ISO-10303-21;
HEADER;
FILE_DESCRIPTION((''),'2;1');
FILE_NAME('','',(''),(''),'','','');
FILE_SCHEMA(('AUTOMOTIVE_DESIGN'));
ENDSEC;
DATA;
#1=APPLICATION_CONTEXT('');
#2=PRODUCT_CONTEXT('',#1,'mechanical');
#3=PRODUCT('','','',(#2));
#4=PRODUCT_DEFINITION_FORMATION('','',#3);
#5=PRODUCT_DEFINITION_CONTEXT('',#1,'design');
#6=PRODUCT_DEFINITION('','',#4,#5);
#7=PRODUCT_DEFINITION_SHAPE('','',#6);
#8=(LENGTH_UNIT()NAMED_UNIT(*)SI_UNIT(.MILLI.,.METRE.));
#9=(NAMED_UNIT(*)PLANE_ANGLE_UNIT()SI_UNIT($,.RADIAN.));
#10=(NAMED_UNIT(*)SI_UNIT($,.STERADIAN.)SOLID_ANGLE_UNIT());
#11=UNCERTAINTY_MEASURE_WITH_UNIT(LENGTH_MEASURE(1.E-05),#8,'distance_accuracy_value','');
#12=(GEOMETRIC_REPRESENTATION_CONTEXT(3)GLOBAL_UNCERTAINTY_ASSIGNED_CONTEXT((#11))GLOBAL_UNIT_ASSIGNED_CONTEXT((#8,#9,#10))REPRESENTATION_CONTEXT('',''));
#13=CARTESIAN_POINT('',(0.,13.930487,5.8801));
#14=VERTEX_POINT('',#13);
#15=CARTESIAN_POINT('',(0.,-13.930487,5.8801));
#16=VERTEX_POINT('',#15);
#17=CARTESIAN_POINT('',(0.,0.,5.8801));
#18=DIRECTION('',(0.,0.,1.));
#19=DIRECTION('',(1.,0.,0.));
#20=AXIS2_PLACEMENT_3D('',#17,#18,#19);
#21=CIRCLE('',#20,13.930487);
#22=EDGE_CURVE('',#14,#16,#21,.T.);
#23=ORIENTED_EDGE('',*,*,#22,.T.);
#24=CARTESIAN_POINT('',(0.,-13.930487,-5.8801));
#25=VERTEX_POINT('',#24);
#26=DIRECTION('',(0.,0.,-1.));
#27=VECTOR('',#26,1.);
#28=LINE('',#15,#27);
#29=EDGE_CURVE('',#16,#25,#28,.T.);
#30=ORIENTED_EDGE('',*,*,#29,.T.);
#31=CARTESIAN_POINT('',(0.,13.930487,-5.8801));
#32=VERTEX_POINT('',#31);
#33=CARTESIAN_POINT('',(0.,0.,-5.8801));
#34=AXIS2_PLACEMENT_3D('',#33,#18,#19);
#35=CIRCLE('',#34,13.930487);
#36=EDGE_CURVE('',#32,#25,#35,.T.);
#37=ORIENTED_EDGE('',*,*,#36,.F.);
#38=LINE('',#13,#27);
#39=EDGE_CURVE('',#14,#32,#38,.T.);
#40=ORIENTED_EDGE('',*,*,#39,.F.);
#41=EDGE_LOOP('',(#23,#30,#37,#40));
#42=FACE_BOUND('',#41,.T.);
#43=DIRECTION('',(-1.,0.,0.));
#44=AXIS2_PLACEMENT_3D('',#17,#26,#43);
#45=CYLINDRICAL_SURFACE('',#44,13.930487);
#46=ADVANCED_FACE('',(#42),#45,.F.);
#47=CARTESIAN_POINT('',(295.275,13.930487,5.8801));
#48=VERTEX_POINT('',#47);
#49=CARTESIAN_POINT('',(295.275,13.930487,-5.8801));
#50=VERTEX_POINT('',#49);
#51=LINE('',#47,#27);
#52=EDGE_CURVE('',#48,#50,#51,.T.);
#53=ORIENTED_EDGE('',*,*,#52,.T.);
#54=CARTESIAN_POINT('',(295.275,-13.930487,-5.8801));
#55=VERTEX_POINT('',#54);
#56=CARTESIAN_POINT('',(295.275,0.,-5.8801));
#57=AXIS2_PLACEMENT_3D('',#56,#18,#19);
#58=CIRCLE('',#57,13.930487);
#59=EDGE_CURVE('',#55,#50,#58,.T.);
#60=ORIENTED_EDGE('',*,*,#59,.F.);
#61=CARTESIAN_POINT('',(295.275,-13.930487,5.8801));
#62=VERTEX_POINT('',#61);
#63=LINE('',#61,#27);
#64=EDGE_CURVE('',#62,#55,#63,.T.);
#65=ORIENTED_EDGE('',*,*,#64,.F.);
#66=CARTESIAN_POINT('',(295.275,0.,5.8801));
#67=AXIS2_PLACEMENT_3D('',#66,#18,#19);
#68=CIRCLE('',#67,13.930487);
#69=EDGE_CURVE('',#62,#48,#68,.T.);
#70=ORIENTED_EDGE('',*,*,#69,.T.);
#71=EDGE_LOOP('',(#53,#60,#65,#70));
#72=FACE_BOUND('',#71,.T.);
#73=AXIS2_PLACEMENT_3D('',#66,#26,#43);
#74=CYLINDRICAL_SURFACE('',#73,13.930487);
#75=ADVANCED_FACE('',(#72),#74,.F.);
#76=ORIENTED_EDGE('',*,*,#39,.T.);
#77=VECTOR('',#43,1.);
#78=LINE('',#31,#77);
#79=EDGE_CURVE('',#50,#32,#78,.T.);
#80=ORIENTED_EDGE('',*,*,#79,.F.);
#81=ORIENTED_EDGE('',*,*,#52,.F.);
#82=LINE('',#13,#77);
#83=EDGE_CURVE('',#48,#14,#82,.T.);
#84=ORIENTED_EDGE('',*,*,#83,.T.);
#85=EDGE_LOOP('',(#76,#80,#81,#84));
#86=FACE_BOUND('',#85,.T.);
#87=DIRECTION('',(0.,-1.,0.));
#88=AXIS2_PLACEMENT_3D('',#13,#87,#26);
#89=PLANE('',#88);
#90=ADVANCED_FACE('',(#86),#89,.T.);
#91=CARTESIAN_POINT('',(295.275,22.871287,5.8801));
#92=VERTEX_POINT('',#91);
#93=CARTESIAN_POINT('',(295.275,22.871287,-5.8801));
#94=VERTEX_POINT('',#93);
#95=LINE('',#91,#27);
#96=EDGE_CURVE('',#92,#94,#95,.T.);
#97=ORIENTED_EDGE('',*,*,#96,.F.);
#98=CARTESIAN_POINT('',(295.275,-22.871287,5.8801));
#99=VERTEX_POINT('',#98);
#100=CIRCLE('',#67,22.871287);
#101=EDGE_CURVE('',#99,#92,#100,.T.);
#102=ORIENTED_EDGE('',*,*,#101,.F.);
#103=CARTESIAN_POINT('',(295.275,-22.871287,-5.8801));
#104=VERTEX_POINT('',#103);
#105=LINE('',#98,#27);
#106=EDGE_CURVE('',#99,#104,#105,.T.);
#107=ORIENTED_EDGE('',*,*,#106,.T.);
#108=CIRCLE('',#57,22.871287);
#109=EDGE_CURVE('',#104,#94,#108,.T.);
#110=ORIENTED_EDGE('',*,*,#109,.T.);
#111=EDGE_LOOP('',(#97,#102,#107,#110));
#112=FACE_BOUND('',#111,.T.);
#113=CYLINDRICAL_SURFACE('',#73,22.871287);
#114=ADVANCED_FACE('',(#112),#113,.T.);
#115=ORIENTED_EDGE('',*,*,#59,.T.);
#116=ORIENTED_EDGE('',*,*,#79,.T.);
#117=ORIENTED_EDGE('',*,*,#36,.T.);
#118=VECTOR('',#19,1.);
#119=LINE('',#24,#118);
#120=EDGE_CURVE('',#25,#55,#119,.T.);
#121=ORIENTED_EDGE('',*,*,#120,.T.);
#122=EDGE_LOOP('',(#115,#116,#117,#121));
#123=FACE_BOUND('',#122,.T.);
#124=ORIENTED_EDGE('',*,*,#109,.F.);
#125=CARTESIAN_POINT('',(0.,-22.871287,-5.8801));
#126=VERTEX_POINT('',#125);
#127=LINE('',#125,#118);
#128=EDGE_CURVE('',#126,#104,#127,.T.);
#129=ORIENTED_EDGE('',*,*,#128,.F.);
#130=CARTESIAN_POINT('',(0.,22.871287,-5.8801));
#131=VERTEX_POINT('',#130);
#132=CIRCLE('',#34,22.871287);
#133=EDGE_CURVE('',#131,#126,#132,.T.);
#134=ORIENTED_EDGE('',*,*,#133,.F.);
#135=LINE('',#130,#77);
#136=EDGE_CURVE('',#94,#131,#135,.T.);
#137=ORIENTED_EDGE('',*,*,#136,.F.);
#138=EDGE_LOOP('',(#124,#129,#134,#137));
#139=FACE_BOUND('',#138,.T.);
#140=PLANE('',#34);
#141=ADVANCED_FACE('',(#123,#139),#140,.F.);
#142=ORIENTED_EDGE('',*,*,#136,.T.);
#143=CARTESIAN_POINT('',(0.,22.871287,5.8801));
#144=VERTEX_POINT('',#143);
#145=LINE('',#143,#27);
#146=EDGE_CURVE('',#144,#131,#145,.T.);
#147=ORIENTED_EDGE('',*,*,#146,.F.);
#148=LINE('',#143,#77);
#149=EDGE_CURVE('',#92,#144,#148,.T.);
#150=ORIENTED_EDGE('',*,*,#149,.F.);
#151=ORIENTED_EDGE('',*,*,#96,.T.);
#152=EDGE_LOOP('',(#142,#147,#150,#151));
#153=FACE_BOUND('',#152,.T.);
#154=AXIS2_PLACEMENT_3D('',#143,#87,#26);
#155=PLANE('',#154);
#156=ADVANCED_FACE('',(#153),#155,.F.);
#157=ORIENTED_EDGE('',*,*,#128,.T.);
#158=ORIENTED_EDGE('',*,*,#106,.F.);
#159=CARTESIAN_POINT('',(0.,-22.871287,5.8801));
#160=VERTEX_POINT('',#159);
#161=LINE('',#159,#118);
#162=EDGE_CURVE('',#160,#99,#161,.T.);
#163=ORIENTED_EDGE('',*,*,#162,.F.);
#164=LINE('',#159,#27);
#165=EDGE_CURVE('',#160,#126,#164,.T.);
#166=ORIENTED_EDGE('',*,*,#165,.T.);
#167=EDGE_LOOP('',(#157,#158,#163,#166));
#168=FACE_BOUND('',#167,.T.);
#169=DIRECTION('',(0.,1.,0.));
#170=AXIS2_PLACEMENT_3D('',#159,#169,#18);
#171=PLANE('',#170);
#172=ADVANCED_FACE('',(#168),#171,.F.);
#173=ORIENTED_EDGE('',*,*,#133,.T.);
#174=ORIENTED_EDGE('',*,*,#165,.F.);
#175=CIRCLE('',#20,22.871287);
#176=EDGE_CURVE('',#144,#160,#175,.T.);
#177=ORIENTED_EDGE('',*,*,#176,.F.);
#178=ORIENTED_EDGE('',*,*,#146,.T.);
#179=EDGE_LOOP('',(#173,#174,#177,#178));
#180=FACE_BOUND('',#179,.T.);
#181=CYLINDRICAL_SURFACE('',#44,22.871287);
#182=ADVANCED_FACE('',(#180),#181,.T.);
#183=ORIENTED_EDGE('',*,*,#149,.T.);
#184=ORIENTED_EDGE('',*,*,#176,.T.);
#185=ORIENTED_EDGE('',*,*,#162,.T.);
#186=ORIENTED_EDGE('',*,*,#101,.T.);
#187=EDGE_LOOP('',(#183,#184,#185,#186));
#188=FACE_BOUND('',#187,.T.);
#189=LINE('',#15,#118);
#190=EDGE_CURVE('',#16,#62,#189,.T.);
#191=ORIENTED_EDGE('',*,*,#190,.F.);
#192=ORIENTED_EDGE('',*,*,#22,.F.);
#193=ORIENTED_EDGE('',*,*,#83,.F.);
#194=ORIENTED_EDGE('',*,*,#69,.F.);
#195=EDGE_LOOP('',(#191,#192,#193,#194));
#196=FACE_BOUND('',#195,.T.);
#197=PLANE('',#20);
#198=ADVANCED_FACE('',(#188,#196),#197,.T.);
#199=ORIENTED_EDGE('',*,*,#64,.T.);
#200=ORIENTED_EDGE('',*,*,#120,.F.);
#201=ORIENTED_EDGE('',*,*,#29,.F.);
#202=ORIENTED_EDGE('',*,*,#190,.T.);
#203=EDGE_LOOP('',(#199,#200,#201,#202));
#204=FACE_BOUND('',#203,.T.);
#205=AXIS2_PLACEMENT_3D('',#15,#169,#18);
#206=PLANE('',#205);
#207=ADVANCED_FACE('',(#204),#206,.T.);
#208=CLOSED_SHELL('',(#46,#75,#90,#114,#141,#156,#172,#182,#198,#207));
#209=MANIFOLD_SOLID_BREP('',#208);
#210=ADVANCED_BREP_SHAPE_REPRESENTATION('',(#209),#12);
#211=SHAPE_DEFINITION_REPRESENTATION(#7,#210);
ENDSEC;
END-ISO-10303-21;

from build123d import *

# Parameters (mm, degrees)
EXTRUDE_THIN1_DEPTH = 5.8801


with BuildPart() as part:
    # Sketch1 → Extrude-Thin1 (new body, symmetric)
    with BuildSketch(Plane.XY):
        with BuildLine():
            Line((295.275, -22.871286991), (0, -22.871286991))
            ThreePointArc((0, -22.871286991), (-22.871286991, 0), (0, 22.871286991))
            Line((0, 22.871286991), (295.275, 22.871286991))
            ThreePointArc((295.275, 22.871286991), (318.146286991, 0), (295.275, -22.871286991))
        make_face()
        with BuildLine():
            Line((295.275, -13.930486991), (0, -13.930486991))
            ThreePointArc((0, -13.930486991), (-13.930486991, 0), (0, 13.930486991))
            Line((0, 13.930486991), (295.275, 13.930486991))
            ThreePointArc((295.275, 13.930486991), (309.205486991, 0), (295.275, -13.930486991))
        make_face(mode=Mode.SUBTRACT)
    extrude(amount=EXTRUDE_THIN1_DEPTH, both=True)


solid = part.part
